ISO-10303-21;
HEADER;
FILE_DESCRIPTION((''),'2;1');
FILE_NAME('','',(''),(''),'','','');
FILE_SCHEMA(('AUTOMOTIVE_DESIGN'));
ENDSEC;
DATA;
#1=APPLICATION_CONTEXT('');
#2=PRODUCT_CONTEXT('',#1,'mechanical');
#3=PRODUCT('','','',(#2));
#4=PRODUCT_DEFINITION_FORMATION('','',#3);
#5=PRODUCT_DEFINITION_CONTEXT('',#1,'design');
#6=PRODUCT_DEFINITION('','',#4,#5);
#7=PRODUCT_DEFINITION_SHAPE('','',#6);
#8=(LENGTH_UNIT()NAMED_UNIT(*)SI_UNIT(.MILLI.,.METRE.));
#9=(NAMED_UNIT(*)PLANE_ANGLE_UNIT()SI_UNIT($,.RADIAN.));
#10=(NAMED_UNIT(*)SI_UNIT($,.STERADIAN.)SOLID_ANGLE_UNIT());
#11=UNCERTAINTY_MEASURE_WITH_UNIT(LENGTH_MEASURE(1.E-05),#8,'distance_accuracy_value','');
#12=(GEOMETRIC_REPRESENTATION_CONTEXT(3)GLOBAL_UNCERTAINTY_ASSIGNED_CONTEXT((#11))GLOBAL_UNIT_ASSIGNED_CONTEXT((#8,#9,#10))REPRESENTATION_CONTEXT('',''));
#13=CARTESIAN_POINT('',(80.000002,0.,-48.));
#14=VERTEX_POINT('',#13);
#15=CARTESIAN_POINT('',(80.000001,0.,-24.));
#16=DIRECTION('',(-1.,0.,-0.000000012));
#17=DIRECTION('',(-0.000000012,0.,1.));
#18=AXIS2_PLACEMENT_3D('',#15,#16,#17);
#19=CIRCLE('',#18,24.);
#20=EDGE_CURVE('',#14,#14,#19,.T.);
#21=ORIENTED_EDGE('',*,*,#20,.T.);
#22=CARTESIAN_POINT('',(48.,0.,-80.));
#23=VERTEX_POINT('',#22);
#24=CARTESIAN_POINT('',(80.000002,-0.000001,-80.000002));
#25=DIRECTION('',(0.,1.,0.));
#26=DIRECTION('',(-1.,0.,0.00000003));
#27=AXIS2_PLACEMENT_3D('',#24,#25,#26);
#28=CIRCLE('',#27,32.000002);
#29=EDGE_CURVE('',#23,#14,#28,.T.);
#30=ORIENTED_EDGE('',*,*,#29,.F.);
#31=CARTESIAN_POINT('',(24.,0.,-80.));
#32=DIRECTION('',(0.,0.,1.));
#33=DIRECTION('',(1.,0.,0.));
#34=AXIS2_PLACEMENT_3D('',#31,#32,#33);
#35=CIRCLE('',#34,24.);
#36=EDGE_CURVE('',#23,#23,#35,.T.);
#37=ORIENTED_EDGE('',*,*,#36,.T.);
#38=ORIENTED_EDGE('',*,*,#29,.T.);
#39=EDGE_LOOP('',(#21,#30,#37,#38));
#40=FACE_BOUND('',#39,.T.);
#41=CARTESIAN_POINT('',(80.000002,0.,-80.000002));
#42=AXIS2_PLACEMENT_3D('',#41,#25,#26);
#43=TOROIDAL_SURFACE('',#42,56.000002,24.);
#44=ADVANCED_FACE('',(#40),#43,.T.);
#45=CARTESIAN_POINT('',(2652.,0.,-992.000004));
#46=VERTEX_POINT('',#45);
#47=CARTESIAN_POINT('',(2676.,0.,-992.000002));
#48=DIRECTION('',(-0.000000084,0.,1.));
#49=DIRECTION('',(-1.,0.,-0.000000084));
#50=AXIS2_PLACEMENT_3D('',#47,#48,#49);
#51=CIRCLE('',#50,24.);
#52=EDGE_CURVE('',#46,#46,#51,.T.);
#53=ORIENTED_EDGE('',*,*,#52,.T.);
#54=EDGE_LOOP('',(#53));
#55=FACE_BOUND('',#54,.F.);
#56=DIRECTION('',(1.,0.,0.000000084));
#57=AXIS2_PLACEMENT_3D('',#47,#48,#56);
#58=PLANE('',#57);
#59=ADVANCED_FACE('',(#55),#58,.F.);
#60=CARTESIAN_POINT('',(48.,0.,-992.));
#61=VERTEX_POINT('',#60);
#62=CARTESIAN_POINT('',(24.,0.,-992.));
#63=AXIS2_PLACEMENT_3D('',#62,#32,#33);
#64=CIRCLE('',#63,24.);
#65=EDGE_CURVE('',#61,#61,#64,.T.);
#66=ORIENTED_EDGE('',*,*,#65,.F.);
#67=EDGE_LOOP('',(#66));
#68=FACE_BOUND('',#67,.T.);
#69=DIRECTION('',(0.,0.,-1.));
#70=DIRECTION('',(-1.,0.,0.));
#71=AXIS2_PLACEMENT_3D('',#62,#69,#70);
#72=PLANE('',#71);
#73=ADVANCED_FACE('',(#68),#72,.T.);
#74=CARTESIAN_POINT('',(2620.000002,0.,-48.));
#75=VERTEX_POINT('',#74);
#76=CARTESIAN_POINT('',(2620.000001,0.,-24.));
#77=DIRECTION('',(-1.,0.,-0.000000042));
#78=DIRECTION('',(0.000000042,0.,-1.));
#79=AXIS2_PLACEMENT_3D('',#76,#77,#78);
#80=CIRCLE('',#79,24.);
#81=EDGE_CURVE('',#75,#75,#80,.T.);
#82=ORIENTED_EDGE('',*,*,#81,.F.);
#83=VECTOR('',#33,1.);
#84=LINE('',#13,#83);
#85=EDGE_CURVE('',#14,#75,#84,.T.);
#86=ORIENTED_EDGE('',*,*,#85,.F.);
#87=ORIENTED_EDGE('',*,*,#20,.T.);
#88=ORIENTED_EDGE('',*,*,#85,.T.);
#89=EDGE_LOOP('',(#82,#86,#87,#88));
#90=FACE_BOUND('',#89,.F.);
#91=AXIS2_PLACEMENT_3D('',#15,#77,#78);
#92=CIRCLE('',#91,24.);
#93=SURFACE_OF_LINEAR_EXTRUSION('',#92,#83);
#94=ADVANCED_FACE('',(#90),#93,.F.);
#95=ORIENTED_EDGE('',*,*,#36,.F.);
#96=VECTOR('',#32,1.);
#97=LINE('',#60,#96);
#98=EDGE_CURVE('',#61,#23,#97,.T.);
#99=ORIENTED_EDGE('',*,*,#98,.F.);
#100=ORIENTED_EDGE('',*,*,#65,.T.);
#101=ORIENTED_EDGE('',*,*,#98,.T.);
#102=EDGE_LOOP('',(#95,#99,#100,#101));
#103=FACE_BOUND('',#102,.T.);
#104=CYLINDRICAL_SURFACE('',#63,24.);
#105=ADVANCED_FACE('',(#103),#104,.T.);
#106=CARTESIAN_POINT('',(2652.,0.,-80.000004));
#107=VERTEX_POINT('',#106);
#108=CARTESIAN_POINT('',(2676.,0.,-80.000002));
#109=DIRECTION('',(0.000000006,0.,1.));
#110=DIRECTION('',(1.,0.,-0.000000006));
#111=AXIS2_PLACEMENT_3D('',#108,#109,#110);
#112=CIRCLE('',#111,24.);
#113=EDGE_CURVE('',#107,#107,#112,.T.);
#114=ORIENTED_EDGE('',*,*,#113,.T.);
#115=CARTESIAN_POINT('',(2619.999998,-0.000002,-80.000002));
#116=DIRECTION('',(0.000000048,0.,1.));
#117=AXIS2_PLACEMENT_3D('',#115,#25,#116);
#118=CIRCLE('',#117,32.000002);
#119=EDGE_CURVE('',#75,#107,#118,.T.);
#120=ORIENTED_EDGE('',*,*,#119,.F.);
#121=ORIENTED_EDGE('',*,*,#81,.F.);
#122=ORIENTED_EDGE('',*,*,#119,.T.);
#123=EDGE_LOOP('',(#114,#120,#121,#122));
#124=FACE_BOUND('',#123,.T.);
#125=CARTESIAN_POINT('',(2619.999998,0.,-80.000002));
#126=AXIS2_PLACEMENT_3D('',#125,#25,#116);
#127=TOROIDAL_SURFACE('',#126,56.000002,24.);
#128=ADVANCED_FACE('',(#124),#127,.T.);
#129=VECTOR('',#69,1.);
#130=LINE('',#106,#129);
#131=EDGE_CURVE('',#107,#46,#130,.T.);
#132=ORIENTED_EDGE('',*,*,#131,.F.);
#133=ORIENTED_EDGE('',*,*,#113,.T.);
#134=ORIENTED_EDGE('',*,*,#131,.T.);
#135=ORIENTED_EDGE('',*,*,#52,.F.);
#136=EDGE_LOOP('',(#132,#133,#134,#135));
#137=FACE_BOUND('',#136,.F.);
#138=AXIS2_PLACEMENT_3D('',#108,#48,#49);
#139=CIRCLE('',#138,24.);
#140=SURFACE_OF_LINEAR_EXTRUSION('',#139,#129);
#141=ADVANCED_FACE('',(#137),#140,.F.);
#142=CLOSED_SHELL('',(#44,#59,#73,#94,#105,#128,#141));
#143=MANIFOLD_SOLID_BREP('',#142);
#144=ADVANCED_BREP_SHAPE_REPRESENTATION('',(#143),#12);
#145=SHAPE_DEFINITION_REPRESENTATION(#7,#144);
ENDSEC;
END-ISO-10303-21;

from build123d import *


with BuildPart() as f3:
    # F3: sweep along a path in F0
    with BuildLine(Plane.XZ) as f3_path:
        Line((0, -992), (0, -80))
        ThreePointArc((0, -80), (23.431458, -23.431458), (80, 0))
        Line((80, 0), (2620, 0))
        ThreePointArc((2620, 0), (2676.568542, -23.431458), (2700, -80))
        Line((2700, -80), (2700, -992))
    # F2 (on face) → F3 (sweep)
    with BuildSketch(Plane(origin=(0, 0, -992), x_dir=(1, 0, 0), z_dir=(0, 0, -1))):
        with BuildLine():
            ThreePointArc((0, 0), (24, -24), (48, 0))
            ThreePointArc((48, 0), (24, 24), (0, 0))
        make_face()
    sweep(path=f3_path.line)


solid = f3.part
